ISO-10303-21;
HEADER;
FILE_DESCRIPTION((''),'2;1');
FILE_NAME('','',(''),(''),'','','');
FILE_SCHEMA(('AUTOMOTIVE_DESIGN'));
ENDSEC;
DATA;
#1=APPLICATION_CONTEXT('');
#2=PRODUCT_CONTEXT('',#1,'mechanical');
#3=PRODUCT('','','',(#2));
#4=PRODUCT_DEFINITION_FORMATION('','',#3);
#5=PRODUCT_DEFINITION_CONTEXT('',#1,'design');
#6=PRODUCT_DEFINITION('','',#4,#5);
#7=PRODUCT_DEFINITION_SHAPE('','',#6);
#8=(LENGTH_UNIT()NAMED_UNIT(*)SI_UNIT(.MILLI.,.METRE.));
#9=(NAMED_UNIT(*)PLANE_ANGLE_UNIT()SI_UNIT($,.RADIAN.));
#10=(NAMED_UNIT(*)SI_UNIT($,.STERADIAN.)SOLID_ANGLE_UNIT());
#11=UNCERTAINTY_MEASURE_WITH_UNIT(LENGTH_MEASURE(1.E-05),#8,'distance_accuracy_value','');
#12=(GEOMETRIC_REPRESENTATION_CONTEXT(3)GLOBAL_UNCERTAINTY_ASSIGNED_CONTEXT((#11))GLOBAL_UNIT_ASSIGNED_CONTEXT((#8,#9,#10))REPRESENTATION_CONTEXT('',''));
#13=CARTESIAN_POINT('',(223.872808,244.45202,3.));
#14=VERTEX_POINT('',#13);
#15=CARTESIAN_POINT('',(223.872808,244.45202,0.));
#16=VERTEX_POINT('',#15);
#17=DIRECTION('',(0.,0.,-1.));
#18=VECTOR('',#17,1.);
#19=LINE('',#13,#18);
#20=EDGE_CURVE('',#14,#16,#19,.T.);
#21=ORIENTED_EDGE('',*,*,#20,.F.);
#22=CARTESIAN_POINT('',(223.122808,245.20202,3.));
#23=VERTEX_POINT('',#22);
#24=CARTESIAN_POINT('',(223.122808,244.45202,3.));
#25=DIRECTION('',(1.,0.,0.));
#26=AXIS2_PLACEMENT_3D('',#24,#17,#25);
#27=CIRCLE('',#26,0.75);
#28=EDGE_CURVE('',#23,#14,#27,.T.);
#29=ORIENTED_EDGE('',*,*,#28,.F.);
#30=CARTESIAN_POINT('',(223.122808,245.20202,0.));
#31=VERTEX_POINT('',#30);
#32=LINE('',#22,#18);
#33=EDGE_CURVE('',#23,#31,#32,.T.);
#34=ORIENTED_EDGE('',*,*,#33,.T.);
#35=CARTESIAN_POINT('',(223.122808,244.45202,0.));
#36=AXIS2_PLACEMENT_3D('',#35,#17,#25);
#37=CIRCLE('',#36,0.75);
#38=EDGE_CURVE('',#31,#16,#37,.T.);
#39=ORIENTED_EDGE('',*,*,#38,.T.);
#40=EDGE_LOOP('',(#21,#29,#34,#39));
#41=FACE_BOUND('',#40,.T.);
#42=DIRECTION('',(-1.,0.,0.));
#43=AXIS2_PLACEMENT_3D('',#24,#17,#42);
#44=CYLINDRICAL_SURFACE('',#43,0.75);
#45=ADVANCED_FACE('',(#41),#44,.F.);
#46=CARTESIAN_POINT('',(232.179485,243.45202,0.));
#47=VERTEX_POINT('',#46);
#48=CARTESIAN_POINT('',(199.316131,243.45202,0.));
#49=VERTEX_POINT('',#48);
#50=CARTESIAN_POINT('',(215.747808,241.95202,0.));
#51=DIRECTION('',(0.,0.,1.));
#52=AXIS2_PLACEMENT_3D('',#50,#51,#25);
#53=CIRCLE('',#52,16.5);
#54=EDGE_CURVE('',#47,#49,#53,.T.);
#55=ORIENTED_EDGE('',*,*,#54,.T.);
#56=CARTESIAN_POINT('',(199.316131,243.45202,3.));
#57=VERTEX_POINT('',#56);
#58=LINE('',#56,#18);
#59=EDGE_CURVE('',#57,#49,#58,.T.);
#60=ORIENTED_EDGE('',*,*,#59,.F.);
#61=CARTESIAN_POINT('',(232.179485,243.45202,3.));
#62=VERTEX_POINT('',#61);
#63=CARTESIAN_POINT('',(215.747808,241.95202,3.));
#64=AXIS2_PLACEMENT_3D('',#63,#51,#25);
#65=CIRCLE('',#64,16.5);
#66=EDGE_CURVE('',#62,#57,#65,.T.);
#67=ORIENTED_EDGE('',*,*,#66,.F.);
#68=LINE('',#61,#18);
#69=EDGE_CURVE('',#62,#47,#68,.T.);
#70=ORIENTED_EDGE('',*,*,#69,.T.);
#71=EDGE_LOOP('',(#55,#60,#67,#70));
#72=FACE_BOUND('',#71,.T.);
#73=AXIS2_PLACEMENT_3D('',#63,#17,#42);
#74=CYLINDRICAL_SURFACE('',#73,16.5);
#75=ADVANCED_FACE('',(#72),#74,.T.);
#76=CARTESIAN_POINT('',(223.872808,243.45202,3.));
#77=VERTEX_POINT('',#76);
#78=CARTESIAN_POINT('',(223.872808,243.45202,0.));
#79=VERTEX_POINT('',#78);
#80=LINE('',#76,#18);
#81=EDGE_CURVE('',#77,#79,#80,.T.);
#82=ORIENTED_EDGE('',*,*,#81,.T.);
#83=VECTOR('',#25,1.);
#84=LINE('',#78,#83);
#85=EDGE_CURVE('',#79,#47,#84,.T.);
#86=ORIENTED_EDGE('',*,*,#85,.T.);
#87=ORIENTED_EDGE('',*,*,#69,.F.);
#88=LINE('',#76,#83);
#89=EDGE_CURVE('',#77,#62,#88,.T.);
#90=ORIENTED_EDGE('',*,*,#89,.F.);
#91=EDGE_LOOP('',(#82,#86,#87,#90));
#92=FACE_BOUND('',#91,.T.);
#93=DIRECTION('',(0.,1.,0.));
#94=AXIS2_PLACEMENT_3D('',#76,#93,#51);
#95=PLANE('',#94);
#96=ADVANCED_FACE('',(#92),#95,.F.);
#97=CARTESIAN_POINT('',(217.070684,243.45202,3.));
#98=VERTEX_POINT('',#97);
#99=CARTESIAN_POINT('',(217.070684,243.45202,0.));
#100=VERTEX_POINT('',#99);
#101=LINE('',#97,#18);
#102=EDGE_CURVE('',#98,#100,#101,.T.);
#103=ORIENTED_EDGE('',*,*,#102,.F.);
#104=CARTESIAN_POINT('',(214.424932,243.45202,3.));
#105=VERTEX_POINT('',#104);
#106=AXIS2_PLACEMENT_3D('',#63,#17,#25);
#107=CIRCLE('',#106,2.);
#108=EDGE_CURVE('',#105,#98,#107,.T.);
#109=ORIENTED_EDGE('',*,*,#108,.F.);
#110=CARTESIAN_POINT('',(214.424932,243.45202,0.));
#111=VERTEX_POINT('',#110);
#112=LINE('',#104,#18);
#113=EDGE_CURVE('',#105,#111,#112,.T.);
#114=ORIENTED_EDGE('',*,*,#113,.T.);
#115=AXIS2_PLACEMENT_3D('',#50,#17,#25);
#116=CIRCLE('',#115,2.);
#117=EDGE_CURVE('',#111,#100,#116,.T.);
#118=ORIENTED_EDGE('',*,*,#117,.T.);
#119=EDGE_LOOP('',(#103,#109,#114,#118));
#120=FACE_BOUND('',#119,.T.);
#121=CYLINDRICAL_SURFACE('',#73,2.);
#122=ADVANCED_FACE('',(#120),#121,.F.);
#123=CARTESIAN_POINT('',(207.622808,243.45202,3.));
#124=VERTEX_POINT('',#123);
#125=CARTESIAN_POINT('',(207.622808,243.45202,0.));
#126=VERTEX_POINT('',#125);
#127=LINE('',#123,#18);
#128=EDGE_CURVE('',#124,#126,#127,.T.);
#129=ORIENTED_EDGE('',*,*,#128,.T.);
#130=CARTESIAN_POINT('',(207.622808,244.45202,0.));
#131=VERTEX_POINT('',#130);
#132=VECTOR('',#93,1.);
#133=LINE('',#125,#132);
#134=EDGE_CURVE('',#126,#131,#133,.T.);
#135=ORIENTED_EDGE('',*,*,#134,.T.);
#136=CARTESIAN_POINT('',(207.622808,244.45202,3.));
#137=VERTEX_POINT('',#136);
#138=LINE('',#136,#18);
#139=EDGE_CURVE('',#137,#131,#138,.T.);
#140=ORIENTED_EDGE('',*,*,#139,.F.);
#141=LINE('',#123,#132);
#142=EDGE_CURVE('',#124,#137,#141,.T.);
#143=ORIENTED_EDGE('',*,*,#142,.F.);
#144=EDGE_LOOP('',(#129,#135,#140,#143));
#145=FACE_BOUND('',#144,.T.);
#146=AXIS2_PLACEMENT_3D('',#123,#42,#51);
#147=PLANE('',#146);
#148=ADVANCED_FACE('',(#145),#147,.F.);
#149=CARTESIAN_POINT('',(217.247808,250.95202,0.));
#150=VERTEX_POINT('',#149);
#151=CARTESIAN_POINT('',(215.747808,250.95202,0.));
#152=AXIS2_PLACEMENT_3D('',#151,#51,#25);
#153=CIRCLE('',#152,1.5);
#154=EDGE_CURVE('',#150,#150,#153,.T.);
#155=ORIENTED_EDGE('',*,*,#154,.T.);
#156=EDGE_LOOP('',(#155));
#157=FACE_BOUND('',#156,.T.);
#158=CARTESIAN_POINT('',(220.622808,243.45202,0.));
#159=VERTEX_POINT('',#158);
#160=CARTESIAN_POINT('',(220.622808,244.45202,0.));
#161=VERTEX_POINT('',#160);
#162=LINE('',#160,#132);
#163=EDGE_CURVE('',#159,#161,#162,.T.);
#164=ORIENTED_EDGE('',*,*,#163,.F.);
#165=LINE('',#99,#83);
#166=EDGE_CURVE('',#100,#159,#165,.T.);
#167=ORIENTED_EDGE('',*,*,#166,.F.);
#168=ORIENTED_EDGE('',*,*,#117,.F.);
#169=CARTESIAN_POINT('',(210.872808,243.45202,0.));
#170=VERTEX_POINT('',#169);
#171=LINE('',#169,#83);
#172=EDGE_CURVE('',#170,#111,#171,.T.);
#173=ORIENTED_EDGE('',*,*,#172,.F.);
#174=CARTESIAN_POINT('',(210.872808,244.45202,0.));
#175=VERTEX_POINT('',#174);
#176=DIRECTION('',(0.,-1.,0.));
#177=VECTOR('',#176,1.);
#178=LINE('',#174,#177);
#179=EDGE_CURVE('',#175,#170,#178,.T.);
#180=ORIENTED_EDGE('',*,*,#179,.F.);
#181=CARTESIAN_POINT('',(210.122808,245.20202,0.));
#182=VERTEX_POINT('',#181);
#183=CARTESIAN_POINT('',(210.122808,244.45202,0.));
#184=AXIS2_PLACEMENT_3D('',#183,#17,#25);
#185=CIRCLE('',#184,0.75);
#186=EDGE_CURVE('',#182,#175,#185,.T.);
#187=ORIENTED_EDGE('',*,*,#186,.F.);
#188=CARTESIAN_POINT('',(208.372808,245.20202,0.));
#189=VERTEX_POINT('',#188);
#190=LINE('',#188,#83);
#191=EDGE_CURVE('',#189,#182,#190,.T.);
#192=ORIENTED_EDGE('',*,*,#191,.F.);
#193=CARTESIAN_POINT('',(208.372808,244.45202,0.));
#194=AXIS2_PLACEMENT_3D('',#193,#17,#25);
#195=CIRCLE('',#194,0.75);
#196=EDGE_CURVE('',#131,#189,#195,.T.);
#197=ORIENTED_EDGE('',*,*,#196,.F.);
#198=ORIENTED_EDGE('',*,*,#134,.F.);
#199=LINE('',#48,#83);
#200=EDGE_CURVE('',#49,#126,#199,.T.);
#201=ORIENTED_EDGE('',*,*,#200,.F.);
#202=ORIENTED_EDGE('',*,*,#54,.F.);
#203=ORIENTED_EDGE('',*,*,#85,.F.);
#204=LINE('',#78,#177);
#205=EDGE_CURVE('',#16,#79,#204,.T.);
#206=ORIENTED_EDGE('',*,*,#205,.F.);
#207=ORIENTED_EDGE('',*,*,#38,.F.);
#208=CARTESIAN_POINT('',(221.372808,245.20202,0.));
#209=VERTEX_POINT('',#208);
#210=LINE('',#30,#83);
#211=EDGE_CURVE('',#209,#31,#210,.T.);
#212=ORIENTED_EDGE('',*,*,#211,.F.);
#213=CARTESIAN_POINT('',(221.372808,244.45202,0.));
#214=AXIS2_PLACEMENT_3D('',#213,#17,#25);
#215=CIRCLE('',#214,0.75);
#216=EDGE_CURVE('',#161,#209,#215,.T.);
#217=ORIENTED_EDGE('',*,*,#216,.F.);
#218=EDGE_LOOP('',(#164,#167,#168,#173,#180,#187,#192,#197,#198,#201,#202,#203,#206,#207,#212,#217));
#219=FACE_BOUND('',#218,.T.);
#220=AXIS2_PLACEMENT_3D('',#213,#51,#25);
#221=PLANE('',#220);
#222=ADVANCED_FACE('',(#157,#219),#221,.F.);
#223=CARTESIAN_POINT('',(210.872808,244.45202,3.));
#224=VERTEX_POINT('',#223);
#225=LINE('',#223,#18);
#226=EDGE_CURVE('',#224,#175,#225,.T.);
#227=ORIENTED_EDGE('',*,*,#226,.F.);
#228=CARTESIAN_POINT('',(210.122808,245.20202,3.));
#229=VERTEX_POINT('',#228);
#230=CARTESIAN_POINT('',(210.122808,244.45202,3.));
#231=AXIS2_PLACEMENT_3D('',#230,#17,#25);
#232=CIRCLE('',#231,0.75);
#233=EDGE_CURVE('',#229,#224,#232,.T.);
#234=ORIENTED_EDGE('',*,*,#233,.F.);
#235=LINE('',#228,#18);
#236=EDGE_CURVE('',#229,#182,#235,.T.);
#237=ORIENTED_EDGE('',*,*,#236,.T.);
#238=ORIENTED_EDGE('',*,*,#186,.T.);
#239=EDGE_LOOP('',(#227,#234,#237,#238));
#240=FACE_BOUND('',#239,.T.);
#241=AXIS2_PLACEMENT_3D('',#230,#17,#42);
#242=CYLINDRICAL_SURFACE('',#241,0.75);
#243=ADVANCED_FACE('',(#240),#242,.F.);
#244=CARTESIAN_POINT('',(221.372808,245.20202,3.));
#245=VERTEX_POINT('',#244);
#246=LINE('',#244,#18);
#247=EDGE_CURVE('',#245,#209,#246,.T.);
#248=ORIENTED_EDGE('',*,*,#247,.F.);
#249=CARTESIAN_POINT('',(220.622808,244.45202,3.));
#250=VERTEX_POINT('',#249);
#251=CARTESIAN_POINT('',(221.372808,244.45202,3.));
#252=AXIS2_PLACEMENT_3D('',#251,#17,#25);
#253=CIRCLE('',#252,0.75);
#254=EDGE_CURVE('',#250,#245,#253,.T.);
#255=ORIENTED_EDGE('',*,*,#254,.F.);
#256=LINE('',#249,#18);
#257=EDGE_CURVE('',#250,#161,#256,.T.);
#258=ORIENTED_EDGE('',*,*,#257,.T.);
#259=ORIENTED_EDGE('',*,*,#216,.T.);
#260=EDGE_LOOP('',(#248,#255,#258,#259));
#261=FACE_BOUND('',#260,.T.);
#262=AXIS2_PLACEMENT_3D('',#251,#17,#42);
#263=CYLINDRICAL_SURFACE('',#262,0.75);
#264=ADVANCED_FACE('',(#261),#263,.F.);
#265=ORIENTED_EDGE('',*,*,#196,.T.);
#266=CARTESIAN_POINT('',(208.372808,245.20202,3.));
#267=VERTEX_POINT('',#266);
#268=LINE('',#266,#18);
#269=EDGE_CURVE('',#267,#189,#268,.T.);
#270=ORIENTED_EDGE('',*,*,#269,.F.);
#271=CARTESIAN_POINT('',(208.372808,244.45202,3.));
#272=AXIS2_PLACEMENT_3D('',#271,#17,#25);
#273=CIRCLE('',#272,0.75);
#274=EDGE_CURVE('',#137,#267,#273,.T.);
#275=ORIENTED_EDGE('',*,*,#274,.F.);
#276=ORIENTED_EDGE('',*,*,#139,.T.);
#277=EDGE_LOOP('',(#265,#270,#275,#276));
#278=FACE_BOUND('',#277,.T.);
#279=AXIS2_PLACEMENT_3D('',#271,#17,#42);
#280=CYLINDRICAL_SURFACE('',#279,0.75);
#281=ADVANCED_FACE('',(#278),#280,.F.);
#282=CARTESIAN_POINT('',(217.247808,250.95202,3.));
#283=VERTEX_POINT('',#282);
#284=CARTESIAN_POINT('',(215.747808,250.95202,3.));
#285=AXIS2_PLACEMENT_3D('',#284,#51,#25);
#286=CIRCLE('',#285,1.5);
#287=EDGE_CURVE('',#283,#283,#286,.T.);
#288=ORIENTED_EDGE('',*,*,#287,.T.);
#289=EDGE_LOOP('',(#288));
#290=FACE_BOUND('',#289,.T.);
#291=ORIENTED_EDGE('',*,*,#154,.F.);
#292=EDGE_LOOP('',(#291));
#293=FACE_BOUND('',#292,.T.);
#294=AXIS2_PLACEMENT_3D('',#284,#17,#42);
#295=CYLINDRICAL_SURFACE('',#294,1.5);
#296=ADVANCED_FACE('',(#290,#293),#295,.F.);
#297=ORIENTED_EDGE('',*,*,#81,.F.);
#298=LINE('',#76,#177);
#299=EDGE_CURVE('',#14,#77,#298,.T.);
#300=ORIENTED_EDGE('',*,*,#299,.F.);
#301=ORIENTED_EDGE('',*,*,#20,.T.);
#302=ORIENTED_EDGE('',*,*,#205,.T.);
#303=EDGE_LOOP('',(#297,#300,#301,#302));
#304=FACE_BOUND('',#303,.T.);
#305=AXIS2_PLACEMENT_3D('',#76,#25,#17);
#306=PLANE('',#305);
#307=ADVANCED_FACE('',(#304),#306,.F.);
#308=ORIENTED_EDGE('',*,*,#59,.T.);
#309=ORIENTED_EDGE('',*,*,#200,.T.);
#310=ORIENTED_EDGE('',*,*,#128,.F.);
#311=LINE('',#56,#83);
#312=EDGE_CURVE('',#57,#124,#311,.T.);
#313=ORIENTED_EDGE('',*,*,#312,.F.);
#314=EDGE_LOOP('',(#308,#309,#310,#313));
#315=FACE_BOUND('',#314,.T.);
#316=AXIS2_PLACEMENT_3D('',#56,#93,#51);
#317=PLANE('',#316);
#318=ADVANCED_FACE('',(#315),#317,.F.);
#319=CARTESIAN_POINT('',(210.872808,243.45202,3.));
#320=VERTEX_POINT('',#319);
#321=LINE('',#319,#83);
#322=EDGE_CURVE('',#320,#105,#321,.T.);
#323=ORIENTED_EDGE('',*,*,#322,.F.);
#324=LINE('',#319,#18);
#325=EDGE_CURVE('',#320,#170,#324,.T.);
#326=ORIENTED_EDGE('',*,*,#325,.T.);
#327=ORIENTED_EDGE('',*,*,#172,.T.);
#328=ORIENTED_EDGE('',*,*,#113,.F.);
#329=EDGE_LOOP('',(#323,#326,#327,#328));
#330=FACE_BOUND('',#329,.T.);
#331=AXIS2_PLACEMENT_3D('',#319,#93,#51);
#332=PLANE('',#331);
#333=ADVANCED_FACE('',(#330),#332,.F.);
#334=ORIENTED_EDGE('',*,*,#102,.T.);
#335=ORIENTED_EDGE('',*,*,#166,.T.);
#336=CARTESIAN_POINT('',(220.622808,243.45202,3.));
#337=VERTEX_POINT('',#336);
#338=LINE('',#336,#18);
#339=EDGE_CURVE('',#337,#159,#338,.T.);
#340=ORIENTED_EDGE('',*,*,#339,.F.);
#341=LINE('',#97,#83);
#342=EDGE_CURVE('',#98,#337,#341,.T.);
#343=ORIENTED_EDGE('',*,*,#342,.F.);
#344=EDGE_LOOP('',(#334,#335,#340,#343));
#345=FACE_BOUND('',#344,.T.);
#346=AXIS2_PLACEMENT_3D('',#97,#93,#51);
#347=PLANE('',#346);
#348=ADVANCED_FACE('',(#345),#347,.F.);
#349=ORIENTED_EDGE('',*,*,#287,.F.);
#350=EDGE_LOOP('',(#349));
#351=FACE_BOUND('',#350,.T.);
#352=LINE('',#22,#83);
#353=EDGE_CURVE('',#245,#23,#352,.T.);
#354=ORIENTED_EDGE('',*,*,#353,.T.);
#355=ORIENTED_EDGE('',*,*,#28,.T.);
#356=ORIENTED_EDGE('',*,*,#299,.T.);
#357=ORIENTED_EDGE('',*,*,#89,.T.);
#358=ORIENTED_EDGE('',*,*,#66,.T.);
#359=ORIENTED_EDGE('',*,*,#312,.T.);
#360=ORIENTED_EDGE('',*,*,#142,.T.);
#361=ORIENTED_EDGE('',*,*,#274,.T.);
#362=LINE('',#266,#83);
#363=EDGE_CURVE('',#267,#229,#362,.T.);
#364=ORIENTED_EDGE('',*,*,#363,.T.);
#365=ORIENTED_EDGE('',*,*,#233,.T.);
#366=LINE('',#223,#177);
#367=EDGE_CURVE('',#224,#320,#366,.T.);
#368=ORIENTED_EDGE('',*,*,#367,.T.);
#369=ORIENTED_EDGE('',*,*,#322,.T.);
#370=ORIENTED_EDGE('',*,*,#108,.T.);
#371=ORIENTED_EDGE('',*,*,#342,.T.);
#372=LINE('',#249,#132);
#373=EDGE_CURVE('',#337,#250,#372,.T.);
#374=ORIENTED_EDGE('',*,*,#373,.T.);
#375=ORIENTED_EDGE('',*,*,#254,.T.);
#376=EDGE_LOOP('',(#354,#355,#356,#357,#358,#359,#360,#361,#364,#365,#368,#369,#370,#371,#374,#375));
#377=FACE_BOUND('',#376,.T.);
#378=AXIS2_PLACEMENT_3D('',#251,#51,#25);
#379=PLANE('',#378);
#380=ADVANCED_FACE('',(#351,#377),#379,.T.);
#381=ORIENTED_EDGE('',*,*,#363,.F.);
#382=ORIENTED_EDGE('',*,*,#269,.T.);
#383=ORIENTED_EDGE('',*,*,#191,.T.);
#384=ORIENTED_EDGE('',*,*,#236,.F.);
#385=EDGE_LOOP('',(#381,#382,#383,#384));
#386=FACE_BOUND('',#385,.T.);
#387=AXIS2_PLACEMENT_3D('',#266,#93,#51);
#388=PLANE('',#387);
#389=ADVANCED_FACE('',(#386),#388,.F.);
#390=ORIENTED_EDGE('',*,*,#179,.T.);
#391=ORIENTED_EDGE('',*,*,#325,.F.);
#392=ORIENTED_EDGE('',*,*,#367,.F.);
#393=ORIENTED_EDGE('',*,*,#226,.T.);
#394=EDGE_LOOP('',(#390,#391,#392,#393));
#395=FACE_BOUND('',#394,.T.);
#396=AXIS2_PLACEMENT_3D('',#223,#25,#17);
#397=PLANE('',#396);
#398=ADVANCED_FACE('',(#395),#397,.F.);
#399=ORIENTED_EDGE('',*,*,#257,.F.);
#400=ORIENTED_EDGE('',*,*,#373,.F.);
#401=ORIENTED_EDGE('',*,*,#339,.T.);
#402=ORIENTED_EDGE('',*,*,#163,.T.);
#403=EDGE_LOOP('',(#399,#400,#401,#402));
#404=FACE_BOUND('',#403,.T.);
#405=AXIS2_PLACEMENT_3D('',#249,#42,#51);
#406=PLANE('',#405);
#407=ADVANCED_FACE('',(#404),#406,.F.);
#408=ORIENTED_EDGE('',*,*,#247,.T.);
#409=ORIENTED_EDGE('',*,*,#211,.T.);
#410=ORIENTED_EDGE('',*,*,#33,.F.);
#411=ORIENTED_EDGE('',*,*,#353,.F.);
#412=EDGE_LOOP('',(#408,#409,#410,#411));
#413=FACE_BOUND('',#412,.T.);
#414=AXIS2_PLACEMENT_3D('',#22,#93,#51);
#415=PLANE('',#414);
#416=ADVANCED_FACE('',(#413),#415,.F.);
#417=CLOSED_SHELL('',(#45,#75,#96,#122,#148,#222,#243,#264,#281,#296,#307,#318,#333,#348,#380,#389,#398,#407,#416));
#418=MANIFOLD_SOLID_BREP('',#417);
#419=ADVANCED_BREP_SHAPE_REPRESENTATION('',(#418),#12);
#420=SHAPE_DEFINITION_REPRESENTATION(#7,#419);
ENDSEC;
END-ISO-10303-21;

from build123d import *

# Parameters (mm, degrees)
MODEL_R                 = 1.5
SALIENTE_EXTRUIR1_DEPTH = 3


with BuildPart() as part:
    # Model → Saliente-Extruir1 (new body)
    with BuildSketch(Plane.XY):
        with BuildLine():
            Line((223.122807913, 245.202019993), (221.372807913, 245.202019993))
            ThreePointArc((221.372807913, 245.202019993), (220.842477828, 244.982350079), (220.622807913, 244.452019993))
            Line((220.622807913, 244.452019993), (220.622807913, 243.452019993))
            Line((220.622807913, 243.452019993), (217.070683569, 243.452019993))
            ThreePointArc((217.070683569, 243.452019993), (215.747807914, 243.952019993), (214.424932258, 243.452019993))
            Line((214.424932258, 243.452019993), (210.872807913, 243.452019993))
            Line((210.872807913, 243.452019993), (210.872807913, 244.452019993))
            ThreePointArc((210.872807913, 244.452019993), (210.653137999, 244.982350079), (210.122807913, 245.202019993))
            Line((210.122807913, 245.202019993), (208.372807913, 245.202019993))
            ThreePointArc((208.372807913, 245.202019993), (207.842477828, 244.982350079), (207.622807913, 244.452019993))
            Line((207.622807913, 244.452019993), (207.622807913, 243.452019993))
            Line((207.622807913, 243.452019993), (199.316131188, 243.452019993))
            ThreePointArc((199.316131188, 243.452019993), (215.747807914, 258.452019993), (232.179484639, 243.452019993))
            Line((232.179484639, 243.452019993), (223.872807913, 243.452019993))
            Line((223.872807913, 243.452019993), (223.872807913, 244.452019993))
            ThreePointArc((223.872807913, 244.452019993), (223.653137999, 244.982350079), (223.122807913, 245.202019993))
        make_face()
        with Locations((215.747807914, 250.952019993)):
            Circle(MODEL_R, mode=Mode.SUBTRACT)
    extrude(amount=SALIENTE_EXTRUIR1_DEPTH)


solid = part.part
